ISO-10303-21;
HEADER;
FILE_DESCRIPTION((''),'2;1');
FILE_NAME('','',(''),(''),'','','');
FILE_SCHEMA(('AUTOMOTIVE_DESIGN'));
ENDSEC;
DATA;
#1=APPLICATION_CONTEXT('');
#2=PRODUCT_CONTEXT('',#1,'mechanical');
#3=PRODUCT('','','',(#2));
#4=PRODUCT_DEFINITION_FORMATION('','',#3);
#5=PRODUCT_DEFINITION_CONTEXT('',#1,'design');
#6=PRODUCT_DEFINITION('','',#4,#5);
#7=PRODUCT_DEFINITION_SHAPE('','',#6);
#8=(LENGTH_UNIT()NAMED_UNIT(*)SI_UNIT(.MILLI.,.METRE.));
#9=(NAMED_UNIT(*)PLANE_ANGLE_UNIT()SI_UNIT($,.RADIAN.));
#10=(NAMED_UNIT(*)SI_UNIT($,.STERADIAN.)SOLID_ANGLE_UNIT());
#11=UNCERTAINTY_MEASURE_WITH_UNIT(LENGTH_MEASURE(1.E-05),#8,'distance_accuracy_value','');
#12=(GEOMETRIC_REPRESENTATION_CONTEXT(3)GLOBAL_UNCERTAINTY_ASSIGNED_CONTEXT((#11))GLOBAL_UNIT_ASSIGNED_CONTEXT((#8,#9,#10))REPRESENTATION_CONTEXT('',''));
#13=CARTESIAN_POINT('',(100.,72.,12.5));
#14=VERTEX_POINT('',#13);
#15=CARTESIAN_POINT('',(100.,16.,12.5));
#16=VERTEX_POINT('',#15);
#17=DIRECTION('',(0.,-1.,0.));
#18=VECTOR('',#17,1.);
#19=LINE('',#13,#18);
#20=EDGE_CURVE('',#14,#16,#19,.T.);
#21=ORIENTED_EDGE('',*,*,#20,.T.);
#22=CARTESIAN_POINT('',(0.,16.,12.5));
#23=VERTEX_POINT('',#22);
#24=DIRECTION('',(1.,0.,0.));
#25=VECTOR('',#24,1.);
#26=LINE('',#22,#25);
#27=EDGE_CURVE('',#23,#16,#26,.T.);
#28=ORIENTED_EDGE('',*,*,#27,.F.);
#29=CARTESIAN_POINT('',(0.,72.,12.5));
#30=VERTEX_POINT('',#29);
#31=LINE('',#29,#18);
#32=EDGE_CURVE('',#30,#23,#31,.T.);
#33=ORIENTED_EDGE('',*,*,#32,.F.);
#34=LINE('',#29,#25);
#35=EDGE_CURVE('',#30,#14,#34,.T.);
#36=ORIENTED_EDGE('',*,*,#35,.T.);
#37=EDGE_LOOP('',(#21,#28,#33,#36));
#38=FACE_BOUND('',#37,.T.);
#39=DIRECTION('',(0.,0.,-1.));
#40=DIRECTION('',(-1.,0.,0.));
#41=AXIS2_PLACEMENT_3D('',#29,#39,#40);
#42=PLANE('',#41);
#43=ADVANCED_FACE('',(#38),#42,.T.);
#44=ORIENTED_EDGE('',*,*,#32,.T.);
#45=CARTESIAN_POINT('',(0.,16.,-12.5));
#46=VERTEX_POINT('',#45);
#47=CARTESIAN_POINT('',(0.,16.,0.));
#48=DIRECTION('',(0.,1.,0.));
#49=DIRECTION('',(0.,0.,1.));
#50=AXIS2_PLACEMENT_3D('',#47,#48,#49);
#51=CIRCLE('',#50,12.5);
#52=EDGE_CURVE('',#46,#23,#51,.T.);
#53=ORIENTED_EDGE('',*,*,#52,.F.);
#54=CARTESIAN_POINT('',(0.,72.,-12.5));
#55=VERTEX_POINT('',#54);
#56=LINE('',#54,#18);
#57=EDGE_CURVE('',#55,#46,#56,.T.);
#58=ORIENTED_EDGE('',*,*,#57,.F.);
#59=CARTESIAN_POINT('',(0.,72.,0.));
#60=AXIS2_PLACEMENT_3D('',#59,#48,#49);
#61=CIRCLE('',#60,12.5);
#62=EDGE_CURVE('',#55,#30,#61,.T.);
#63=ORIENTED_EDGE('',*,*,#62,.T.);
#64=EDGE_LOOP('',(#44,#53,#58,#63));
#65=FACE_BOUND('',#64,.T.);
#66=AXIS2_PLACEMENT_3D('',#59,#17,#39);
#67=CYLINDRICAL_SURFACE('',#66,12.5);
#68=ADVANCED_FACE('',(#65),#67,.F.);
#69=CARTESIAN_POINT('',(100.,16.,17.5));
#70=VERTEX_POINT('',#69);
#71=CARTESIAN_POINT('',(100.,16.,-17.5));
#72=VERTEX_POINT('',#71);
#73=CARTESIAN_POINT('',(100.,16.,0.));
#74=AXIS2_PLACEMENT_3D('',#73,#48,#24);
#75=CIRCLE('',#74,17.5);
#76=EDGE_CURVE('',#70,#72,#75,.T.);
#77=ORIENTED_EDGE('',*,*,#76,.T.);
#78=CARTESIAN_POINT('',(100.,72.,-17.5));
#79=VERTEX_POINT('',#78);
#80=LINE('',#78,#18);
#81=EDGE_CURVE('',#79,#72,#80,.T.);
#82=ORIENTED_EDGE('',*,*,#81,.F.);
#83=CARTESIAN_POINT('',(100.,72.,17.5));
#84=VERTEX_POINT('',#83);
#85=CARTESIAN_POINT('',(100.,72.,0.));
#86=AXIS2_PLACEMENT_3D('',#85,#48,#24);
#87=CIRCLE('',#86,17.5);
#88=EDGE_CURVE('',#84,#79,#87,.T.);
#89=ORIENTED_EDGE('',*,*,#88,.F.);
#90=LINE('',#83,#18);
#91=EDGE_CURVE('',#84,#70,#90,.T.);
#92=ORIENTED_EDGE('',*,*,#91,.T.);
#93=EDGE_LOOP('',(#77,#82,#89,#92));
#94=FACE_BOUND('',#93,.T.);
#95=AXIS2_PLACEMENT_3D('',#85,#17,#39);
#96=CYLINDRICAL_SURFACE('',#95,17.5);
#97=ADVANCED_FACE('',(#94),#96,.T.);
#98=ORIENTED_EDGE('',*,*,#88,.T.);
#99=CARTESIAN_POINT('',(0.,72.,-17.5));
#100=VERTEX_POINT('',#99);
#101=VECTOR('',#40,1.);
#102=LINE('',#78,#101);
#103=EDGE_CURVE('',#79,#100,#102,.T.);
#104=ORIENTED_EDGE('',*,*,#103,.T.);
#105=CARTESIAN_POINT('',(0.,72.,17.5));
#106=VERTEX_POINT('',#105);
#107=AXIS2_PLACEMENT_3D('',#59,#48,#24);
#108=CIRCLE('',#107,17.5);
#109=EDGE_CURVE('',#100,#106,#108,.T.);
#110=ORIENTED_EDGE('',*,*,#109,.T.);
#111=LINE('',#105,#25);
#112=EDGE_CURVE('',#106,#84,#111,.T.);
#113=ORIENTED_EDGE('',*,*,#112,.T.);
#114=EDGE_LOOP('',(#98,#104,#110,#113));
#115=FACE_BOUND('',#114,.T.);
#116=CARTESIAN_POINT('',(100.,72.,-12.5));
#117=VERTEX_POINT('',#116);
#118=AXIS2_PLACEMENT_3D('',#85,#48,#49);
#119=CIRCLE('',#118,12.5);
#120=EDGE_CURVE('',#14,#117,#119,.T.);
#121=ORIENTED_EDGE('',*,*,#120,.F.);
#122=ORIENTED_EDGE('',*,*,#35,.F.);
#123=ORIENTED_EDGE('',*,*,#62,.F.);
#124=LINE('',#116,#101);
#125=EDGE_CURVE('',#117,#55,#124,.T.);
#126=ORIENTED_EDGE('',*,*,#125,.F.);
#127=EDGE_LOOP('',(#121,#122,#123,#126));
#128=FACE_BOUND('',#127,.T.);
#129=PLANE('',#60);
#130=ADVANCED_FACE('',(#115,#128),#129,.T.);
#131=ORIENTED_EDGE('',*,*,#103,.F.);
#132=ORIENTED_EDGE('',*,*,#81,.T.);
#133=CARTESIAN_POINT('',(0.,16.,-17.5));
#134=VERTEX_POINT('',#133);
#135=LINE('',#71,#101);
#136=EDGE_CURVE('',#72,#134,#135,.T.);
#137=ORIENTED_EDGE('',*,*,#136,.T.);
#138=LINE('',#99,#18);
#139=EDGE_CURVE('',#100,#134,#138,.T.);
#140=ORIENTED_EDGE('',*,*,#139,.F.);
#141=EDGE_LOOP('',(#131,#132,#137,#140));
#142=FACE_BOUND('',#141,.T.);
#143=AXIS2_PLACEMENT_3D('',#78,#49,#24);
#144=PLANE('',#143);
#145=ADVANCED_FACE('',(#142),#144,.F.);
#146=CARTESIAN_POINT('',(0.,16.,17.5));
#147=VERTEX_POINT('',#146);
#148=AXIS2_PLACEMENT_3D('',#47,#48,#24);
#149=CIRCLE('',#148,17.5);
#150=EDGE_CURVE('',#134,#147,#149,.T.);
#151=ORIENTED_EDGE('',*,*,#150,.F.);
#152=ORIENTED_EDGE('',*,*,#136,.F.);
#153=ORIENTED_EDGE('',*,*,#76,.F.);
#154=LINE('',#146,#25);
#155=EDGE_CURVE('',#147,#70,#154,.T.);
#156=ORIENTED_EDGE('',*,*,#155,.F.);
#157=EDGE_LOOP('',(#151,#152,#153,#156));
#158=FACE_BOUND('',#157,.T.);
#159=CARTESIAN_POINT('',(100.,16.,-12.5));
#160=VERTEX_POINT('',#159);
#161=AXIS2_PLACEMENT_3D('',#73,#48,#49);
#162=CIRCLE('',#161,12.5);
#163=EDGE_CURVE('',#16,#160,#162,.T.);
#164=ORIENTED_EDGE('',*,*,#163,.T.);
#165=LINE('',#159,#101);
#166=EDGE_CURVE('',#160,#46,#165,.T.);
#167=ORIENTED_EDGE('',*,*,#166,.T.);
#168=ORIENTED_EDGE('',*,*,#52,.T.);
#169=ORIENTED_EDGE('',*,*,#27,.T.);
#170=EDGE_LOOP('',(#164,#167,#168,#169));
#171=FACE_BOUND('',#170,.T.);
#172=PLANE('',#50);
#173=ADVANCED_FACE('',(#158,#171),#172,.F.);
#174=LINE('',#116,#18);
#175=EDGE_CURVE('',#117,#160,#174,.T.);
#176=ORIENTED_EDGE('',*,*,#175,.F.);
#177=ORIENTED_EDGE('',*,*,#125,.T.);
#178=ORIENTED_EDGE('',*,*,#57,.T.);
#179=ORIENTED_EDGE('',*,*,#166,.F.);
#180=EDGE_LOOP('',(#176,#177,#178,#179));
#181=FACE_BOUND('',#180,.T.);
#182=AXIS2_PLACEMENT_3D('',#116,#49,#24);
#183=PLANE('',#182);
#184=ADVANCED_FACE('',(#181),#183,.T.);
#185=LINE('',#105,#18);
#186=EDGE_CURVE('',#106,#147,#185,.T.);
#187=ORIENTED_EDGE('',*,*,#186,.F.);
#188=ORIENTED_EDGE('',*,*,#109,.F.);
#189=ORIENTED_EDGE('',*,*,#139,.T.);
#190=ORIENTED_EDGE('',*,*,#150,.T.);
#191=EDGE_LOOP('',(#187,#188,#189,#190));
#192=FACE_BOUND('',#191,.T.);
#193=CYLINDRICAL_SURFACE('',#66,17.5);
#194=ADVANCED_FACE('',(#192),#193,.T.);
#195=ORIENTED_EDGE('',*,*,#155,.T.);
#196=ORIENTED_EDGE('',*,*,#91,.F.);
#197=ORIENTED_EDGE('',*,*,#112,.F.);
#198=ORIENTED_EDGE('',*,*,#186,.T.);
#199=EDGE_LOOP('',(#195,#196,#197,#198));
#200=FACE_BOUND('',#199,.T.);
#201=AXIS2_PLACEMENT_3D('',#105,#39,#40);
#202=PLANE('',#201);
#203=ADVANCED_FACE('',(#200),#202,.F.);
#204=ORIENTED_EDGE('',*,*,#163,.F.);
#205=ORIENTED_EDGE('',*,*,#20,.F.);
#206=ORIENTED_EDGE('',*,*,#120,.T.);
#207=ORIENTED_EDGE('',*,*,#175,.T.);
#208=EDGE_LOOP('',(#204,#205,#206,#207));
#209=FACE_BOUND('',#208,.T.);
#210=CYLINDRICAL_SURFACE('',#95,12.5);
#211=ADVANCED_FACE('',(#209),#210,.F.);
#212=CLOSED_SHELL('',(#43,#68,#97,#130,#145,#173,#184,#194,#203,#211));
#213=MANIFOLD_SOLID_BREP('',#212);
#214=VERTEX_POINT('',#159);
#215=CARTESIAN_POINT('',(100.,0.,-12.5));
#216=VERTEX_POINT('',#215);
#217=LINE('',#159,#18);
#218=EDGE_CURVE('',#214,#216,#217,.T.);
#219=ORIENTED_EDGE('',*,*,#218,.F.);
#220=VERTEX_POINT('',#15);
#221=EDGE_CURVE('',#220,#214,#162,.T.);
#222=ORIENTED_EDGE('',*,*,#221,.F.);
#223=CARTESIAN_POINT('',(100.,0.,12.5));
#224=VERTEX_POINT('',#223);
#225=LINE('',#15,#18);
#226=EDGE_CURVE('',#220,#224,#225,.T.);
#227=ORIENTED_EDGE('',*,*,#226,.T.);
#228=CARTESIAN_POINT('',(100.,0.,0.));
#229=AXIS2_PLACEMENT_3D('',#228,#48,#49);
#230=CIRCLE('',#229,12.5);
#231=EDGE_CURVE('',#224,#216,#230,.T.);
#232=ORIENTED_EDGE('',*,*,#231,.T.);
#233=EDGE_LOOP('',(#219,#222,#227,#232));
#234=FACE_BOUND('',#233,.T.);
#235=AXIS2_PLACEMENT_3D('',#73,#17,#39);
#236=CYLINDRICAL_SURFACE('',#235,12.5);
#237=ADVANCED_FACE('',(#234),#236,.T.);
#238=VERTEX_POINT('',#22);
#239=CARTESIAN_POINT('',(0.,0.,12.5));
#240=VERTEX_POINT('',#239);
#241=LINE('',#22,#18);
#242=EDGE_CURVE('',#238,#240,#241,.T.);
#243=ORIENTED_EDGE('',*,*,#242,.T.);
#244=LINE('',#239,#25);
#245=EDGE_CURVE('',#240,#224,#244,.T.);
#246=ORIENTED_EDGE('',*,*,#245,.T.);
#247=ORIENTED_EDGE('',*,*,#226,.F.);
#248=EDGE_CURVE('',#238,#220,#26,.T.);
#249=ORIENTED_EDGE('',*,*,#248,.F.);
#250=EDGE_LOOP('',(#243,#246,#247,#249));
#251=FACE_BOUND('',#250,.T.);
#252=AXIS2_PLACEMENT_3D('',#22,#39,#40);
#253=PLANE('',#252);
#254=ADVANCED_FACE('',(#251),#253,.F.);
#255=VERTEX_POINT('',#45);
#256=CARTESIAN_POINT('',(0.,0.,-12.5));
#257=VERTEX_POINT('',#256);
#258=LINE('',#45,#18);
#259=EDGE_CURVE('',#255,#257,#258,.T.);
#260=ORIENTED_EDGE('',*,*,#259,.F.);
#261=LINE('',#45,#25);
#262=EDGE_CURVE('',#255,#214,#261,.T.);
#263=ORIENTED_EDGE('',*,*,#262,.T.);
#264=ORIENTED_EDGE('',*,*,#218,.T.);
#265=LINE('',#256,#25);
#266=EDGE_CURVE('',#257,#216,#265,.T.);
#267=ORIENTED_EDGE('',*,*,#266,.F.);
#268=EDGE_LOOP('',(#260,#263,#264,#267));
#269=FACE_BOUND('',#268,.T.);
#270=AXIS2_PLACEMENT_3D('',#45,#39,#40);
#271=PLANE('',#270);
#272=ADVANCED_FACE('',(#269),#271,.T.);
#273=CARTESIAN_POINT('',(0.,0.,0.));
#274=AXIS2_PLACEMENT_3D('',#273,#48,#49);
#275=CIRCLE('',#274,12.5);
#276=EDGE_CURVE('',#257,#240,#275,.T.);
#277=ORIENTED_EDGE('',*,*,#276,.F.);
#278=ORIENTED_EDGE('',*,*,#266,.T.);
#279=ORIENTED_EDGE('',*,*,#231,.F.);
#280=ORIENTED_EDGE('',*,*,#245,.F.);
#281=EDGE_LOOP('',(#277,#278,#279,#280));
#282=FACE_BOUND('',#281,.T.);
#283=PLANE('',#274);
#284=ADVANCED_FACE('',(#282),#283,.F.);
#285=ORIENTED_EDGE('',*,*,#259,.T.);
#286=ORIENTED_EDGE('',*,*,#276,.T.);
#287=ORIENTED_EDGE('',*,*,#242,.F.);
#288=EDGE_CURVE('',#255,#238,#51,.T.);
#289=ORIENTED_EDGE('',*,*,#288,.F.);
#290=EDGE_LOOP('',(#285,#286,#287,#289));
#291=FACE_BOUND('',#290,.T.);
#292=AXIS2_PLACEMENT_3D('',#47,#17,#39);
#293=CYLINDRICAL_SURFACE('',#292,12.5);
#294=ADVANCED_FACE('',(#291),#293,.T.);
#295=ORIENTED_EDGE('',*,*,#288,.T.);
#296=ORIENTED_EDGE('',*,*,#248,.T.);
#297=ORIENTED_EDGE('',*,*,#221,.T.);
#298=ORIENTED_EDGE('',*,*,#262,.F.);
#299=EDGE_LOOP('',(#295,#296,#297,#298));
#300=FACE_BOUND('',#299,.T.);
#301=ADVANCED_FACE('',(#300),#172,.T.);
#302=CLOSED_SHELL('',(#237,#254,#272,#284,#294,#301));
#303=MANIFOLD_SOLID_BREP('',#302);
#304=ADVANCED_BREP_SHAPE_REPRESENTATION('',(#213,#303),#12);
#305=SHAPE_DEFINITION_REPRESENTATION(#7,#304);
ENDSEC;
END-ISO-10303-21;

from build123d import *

# Parameters (mm, degrees)
EXTRUDE_2_DEPTH = 16
EXTRUDE_1_DEPTH = 56


with BuildPart() as part:
    # 草图1 → 凸台-拉伸2 (new body)
    with BuildSketch(Plane(origin=(0, 0, 0), x_dir=(1, 0, 0), z_dir=(0, 1, 0))):
        with BuildLine():
            Line((0, 12.5), (100, 12.5))
            ThreePointArc((100, 12.5), (112.5, 0), (100, -12.5))
            Line((100, -12.5), (0, -12.5))
            ThreePointArc((0, -12.5), (-12.5, 0), (0, 12.5))
        make_face()
    extrude(amount=EXTRUDE_2_DEPTH)


with BuildPart() as body_2:
    # 草图5 → 拉伸-薄壁1 (new body)
    with BuildSketch(Plane(origin=(0, 16, 0), x_dir=(1, 0, 0), z_dir=(0, 1, 0))):
        with BuildLine():
            Line((100, 17.5), (0, 17.5))
            ThreePointArc((0, 17.5), (-17.5, 0), (0, -17.5))
            Line((0, -17.5), (100, -17.5))
            ThreePointArc((100, -17.5), (117.5, 0), (100, 17.5))
        make_face()
        with BuildLine():
            Line((100, 12.5), (0, 12.5))
            ThreePointArc((0, 12.5), (-12.5, 0), (0, -12.5))
            Line((0, -12.5), (100, -12.5))
            ThreePointArc((100, -12.5), (112.5, 0), (100, 12.5))
        make_face(mode=Mode.SUBTRACT)
    extrude(amount=EXTRUDE_1_DEPTH)


solid = Compound([part.part, body_2.part])
